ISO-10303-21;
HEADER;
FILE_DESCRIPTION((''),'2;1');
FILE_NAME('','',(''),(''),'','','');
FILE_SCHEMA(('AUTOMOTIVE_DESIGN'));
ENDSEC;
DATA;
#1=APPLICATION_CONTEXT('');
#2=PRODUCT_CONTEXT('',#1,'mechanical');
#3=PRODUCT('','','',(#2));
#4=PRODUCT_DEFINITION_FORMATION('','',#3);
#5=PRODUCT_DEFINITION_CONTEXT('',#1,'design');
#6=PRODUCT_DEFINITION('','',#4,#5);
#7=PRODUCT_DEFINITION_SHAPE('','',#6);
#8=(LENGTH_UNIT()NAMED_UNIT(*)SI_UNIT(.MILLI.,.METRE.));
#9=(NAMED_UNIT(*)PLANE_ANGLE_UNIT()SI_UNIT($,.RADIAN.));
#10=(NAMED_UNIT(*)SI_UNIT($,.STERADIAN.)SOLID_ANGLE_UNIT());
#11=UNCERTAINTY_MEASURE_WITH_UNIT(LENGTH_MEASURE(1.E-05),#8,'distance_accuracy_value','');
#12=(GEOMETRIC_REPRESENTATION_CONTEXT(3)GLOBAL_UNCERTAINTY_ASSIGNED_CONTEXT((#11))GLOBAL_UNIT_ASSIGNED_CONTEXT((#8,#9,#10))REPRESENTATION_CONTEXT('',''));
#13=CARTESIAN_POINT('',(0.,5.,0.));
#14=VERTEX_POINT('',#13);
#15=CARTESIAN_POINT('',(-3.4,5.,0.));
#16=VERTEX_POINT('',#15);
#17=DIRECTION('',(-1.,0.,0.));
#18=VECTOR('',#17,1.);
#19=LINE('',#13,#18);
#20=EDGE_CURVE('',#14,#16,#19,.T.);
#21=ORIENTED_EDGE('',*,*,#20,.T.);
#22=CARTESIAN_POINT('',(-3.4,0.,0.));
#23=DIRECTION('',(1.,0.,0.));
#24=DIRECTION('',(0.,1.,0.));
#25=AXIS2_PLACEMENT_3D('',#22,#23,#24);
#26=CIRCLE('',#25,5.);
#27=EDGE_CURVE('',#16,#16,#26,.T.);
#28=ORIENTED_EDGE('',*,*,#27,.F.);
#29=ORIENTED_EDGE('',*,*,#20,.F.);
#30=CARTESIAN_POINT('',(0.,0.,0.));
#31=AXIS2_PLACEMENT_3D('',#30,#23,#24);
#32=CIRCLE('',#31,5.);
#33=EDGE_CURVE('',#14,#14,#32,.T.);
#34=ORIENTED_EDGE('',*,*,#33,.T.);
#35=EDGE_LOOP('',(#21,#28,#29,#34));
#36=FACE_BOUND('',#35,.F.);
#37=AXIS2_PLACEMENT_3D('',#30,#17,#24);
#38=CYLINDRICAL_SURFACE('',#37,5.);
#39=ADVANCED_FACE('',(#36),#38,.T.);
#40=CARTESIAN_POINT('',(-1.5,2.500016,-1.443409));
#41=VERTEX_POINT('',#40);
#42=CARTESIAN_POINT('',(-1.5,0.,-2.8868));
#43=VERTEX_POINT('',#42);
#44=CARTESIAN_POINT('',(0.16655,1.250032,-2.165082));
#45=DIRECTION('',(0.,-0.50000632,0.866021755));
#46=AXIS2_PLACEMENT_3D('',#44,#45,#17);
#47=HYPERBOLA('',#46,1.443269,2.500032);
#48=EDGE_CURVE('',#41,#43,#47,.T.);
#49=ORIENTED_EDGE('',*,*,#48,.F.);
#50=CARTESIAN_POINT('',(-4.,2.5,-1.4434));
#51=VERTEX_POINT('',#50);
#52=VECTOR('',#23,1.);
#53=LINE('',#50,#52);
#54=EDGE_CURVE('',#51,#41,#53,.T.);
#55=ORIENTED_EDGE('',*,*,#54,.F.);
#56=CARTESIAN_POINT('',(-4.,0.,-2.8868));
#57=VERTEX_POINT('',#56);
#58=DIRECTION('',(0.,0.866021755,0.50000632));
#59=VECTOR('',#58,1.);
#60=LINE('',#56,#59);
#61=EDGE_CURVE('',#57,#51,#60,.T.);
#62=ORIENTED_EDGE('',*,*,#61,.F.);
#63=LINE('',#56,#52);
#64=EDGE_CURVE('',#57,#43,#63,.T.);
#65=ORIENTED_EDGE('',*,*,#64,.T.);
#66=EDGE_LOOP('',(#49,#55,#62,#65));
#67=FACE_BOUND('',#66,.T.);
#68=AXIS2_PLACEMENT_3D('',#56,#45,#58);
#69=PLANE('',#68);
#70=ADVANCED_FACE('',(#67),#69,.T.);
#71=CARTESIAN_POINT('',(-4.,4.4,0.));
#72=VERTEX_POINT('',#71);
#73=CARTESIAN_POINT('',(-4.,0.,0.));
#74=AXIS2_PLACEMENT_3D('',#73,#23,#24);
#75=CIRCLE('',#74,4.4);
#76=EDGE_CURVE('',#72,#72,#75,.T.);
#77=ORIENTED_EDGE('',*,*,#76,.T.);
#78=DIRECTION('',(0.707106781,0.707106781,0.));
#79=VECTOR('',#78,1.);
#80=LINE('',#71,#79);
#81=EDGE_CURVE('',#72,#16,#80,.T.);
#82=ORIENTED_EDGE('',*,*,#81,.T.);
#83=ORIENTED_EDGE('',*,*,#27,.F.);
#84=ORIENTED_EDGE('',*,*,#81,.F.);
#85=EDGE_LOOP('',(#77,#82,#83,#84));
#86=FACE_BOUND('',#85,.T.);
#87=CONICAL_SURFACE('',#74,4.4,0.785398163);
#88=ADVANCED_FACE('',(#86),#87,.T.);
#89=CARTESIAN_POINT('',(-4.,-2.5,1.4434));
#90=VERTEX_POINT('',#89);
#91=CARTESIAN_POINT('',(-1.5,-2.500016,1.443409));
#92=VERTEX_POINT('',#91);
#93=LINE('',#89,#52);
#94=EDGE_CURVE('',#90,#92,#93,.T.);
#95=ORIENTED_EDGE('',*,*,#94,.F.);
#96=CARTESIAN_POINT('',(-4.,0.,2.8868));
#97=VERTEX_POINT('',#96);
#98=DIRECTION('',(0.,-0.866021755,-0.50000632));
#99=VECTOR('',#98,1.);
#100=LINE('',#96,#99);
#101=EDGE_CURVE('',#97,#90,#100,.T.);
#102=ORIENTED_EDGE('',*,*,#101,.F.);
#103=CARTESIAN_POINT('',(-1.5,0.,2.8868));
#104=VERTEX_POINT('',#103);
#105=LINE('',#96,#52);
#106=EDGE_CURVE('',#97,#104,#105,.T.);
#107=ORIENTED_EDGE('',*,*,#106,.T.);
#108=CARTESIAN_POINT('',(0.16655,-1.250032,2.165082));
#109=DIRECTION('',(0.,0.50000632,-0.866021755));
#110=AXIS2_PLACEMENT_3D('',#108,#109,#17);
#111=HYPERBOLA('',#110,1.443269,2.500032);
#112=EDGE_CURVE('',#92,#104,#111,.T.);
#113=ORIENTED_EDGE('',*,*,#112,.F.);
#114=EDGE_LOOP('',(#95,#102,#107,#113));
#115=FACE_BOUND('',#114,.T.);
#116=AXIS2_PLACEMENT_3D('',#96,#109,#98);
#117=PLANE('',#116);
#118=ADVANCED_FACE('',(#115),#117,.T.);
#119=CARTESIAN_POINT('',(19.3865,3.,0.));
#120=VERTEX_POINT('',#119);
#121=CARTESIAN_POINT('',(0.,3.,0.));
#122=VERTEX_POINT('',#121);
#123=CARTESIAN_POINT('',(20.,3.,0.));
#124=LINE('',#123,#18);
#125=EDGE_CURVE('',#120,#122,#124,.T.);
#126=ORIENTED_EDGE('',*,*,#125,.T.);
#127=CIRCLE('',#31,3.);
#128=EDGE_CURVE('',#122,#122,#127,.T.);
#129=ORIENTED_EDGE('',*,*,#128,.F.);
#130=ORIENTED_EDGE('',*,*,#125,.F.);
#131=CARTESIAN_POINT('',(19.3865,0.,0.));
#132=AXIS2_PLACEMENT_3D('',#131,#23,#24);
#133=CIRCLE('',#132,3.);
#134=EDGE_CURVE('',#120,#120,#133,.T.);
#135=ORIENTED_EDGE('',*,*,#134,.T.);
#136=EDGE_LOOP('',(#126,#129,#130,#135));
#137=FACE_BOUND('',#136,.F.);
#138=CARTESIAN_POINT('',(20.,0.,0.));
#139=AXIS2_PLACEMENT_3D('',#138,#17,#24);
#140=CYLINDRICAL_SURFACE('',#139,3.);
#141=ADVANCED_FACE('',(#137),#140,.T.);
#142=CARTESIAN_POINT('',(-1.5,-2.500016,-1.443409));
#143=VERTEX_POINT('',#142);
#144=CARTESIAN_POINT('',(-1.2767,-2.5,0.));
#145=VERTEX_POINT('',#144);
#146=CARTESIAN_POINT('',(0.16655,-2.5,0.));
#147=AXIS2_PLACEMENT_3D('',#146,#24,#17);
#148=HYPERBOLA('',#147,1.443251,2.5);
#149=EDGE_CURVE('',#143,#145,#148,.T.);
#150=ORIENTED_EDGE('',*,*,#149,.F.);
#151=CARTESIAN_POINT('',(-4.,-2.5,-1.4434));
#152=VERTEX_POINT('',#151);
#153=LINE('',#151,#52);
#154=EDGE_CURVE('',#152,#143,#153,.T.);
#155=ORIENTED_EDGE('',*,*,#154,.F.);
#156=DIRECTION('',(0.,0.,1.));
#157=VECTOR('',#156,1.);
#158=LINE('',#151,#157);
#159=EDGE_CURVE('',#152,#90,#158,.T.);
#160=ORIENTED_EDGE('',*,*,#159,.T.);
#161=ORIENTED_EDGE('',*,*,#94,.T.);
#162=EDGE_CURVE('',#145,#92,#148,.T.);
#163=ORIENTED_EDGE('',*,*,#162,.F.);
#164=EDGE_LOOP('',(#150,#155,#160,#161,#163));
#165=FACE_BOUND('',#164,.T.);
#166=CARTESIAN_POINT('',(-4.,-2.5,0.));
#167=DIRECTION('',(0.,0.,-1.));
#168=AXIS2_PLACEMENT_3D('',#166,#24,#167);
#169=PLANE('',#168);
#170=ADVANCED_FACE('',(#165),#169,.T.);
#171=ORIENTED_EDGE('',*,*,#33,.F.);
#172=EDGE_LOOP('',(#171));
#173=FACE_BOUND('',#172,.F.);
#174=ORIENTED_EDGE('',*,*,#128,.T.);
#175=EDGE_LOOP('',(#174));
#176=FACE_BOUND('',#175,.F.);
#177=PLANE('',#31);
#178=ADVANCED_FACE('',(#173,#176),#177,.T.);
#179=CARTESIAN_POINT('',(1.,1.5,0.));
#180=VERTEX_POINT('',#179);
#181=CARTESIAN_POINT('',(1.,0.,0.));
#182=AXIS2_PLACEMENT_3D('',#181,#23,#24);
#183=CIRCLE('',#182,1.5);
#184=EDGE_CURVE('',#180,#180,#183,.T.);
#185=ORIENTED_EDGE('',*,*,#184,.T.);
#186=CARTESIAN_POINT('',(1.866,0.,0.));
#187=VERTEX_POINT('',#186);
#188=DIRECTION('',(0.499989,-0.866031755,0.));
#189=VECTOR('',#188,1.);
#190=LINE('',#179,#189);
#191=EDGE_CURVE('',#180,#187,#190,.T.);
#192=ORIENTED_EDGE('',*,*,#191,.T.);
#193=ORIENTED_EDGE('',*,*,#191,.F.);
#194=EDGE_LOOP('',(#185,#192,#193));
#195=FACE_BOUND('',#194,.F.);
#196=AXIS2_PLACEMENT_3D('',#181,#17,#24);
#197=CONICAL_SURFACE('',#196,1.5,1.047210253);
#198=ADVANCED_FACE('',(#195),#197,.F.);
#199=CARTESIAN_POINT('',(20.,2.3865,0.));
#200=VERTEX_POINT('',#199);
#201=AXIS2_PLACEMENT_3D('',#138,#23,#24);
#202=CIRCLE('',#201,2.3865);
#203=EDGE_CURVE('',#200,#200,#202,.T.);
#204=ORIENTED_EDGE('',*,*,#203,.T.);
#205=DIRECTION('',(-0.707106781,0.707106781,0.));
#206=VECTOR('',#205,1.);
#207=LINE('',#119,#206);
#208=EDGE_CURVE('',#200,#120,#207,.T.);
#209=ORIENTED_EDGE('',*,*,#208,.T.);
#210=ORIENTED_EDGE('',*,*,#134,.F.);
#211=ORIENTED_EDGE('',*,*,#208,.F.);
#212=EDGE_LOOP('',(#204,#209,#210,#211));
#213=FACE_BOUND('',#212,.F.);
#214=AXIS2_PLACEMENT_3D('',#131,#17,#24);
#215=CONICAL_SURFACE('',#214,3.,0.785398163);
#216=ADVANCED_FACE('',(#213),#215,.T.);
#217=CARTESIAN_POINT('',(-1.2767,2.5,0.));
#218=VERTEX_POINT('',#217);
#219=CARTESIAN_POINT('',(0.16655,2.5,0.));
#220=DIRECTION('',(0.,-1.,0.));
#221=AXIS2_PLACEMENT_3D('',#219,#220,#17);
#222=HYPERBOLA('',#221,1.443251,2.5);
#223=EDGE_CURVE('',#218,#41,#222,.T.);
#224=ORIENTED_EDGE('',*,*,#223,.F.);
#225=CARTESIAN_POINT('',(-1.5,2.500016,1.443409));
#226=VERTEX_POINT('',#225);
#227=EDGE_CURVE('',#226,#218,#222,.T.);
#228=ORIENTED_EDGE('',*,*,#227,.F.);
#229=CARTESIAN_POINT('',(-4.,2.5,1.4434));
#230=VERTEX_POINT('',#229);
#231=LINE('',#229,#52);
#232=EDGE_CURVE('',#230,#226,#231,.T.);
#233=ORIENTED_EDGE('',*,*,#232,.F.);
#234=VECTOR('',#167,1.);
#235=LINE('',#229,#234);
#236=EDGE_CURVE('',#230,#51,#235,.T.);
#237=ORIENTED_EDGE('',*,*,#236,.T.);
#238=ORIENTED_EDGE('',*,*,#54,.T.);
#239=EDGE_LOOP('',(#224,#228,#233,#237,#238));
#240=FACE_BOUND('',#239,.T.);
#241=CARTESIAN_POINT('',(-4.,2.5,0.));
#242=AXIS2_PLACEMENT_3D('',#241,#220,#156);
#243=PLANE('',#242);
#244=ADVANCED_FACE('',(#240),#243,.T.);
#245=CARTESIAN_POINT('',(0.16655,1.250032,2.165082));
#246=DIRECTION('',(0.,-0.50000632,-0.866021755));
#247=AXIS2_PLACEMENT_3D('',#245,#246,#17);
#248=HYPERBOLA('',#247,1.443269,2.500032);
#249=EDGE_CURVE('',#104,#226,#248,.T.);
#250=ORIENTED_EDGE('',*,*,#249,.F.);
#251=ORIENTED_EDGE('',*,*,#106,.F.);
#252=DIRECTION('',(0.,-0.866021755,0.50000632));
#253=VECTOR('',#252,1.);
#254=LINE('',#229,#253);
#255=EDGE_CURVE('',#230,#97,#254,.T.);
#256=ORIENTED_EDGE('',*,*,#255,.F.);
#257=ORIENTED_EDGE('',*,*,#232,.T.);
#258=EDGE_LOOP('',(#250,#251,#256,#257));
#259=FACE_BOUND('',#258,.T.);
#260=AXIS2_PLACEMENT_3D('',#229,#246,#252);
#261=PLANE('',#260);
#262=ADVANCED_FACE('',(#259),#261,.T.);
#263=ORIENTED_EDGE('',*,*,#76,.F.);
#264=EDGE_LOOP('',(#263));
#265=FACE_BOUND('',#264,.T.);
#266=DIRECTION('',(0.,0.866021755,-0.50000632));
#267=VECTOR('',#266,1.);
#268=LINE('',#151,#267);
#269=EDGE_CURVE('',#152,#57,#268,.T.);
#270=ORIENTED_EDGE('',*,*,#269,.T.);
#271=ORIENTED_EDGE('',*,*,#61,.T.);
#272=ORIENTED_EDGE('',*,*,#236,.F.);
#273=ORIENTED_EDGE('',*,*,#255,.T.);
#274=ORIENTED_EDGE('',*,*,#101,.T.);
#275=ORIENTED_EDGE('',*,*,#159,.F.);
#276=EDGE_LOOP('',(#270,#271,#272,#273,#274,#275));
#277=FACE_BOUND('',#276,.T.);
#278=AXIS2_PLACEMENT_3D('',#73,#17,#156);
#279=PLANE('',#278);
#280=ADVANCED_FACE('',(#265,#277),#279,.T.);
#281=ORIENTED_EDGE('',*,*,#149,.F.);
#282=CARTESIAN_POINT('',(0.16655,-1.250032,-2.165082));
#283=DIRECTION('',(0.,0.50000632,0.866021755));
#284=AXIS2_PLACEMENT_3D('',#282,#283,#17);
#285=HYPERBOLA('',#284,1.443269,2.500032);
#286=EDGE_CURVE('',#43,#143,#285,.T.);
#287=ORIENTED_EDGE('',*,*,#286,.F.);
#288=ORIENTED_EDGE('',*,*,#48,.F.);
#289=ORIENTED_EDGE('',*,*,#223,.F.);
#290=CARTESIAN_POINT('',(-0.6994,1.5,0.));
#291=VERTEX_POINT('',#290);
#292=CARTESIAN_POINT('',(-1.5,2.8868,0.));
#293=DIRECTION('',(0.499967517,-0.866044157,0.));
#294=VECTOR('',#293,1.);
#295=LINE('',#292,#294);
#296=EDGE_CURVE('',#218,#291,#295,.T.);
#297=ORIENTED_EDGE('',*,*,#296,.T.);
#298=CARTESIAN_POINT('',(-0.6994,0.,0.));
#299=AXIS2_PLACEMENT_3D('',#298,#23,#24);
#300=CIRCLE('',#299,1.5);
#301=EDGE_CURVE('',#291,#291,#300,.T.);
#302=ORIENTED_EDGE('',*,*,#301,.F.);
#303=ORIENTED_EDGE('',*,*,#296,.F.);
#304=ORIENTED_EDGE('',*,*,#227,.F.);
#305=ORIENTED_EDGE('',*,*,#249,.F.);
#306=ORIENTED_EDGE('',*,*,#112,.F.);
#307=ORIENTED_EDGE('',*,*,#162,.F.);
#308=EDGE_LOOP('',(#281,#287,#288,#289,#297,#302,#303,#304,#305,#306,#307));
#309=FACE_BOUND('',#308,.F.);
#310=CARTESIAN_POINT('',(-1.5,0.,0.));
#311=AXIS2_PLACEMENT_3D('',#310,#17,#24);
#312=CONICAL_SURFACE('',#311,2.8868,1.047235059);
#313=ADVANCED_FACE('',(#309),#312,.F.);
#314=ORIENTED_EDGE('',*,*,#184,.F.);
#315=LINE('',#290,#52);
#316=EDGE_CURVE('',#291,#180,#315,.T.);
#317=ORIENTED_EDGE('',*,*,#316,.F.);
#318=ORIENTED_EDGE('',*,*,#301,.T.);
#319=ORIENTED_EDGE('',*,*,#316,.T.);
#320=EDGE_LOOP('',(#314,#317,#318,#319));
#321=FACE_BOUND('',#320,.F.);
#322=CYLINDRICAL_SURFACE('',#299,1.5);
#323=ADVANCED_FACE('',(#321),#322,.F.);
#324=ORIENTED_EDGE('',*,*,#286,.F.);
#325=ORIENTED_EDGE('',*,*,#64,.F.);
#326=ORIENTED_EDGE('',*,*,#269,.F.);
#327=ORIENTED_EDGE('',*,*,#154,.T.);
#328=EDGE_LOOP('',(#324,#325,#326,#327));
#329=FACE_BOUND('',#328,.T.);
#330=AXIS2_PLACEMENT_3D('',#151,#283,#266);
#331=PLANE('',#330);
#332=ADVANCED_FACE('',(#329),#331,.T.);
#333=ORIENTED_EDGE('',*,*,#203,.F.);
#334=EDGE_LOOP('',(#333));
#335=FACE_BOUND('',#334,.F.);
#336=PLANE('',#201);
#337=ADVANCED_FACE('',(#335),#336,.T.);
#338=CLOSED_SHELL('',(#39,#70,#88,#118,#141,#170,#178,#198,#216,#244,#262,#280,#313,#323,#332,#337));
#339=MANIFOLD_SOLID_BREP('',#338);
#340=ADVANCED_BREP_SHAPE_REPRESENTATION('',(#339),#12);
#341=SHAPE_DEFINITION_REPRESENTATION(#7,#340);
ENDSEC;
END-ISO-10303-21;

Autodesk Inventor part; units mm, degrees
ref_plane "YZ Plane" through (0, 0, 0) normal (1, 0, 0) x (0, 1, 0)
ref_plane "XZ Plane" through (0, 0, 0) normal (0, 1, 0) x (-1, 0, 0)
sketch "Skizze1" plane through (0, 0, 0) normal (0, 0, 1) x (1, 0, 0)
  line L0 (1.866, 0) -> (20, 0)
  line L1 (20, 0) -> (20, 3)
  line L2 (20, 3) -> (0, 3)
  line L3 (0, 3) -> (0, 5)
  line L4 (0, 5) -> (-4, 5)
  line L5 (-4, 5) -> (-4, 2.8868)
  line L6 (-4, 2.8868) -> (-1.5, 2.8868)
  line L7 (-1.5, 2.8868) -> (-0.6994, 1.5)
  line L8 (-8.8, 0) -> (24.8, 0) projected
  line L9 (0, -1) -> (0, 6) projected
  line L10 (-0.6994, 1.5) -> (1, 1.5)
  line L11 (1, 1.5) -> (1.866, 0)
  line L12 (-4, 2.8868) -> (-4, 0) construction
  line L13 (-4, 4.4) -> (-3.4, 5)
  dimension "d0" = 4
  dimension "d1" = 2.5
  dimension "d2" = 60
  dimension "d3" = 6
  dimension "d4" = 5.7735
  dimension "d5" = 10
  dimension "d15" = 5
  dimension "d16" = 3
  dimension "d17" = 20
  dimension "d32" = 45
  dimension "d33" = 0.6
revolve "Körper" add sketch "Skizze1" angle 360 about axis through (1.866, 0, 0) along (1, 0, 0) contours L11 L10 L9 L2 L1 L0 | L10 L7 L6 L5 L13 L4 L3 L9 | L13 L5 L4
revolve "Fase2" cut sketch "Skizze1" angle 360 about axis through (-10, 0, 0) along (1, 0, 0) contours L13 L5 L4
sketch "Skizze2" plane through (-4, 0, 0) normal (-1, 0, 0) x (0, 0, 1)
  circle A0 centre (0, 0) radius 2.8868 projected
  line L0 (0, -7) -> (0, 7) projected
  line L1 (-7, 0) -> (7, 0) projected
  line L2 (2.8868, 0) -> (1.4434, -2.5)
  line L3 (1.4434, -2.5) -> (-1.4434, -2.5)
  line L4 (-1.4434, -2.5) -> (-2.8868, 0)
  line L5 (-2.8868, 0) -> (-1.4434, 2.5)
  line L6 (-1.4434, 2.5) -> (1.4434, 2.5)
  line L7 (1.4434, 2.5) -> (2.8868, 0)
extrude "Loch" add sketch "Skizze2" against normal up to next contours L7 A0 | A0 L2 | L6 L0 A0 | A0 L0 L3 | L0 L6 A0 | A0 L3 L0 | L4 A0 | A0 L5
thread "Gewinde" size "M6x1" class "6g" standard "ISO Metric profile" length 14.5
chamfer "Fase1" distance 0.6135 distance2 0.6135 1 edges at (20, -3, 0) measured on face at (20, 1.0659, 1.0214)
ref_plane "Work Plane1" through (10, 0, 0) normal (0, 0.5, 0.866) x (1, 0, 0)
equation "\"d0\" = KOH"
equation "\"d1\" = INTI"
equation "\"d3\" = GD"
equation "\"d4\" = 1.1547 * SW"
equation "\"d5\" = KOD"
equation "\"d15\" = INFT"
equation "\"d16\" = SDT"
equation "\"d17\" = NLG"
equation "\"d33\" = Cham"
equation "\"d7\" = GEL"
equation "\"d9\" = -0.5 * SPD + 0.5 * GD"
equation "\"d12\" = GUL"
equation "\"GD\" = NND"
equation "\"NLG\" = 20"
equation "\"GEL\" = 14.5"
equation "\"KOD\" = 10"
equation "\"KOH\" = 4"
equation "\"GUL\" = 0.61345 * PTC"
equation "\"SW\" = 5"
equation "\"INTI\" = 2.5"
equation "\"SPD\" = NND - 1.2269 * PTC"
equation "\"SDT\" = 3"
equation "\"INFT\" = 5"
equation "\"Cham\" = 0.6"
equation "\"TOA\" = 30deg"
equation "\"GD1\" = THREADDIA - 1.2269 * PTC"
equation "\"THREADDIA\" = 6"
equation "\"BDM\" = NND"
equation "\"FAWI\" = 45deg"
equation "\"RR\" = 0.1 * NND"
equation "\"PTC\" = 1"
equation "\"NND\" = 6"
equation "\"FAWI1\" = 45deg"
equation "\"GAL\" = 0.61345 * PTC"
equation "\"E0\" = 1.155 * SW"
properties part number "DIN 6912 - M6 x 20" material "Stahl, weich"
